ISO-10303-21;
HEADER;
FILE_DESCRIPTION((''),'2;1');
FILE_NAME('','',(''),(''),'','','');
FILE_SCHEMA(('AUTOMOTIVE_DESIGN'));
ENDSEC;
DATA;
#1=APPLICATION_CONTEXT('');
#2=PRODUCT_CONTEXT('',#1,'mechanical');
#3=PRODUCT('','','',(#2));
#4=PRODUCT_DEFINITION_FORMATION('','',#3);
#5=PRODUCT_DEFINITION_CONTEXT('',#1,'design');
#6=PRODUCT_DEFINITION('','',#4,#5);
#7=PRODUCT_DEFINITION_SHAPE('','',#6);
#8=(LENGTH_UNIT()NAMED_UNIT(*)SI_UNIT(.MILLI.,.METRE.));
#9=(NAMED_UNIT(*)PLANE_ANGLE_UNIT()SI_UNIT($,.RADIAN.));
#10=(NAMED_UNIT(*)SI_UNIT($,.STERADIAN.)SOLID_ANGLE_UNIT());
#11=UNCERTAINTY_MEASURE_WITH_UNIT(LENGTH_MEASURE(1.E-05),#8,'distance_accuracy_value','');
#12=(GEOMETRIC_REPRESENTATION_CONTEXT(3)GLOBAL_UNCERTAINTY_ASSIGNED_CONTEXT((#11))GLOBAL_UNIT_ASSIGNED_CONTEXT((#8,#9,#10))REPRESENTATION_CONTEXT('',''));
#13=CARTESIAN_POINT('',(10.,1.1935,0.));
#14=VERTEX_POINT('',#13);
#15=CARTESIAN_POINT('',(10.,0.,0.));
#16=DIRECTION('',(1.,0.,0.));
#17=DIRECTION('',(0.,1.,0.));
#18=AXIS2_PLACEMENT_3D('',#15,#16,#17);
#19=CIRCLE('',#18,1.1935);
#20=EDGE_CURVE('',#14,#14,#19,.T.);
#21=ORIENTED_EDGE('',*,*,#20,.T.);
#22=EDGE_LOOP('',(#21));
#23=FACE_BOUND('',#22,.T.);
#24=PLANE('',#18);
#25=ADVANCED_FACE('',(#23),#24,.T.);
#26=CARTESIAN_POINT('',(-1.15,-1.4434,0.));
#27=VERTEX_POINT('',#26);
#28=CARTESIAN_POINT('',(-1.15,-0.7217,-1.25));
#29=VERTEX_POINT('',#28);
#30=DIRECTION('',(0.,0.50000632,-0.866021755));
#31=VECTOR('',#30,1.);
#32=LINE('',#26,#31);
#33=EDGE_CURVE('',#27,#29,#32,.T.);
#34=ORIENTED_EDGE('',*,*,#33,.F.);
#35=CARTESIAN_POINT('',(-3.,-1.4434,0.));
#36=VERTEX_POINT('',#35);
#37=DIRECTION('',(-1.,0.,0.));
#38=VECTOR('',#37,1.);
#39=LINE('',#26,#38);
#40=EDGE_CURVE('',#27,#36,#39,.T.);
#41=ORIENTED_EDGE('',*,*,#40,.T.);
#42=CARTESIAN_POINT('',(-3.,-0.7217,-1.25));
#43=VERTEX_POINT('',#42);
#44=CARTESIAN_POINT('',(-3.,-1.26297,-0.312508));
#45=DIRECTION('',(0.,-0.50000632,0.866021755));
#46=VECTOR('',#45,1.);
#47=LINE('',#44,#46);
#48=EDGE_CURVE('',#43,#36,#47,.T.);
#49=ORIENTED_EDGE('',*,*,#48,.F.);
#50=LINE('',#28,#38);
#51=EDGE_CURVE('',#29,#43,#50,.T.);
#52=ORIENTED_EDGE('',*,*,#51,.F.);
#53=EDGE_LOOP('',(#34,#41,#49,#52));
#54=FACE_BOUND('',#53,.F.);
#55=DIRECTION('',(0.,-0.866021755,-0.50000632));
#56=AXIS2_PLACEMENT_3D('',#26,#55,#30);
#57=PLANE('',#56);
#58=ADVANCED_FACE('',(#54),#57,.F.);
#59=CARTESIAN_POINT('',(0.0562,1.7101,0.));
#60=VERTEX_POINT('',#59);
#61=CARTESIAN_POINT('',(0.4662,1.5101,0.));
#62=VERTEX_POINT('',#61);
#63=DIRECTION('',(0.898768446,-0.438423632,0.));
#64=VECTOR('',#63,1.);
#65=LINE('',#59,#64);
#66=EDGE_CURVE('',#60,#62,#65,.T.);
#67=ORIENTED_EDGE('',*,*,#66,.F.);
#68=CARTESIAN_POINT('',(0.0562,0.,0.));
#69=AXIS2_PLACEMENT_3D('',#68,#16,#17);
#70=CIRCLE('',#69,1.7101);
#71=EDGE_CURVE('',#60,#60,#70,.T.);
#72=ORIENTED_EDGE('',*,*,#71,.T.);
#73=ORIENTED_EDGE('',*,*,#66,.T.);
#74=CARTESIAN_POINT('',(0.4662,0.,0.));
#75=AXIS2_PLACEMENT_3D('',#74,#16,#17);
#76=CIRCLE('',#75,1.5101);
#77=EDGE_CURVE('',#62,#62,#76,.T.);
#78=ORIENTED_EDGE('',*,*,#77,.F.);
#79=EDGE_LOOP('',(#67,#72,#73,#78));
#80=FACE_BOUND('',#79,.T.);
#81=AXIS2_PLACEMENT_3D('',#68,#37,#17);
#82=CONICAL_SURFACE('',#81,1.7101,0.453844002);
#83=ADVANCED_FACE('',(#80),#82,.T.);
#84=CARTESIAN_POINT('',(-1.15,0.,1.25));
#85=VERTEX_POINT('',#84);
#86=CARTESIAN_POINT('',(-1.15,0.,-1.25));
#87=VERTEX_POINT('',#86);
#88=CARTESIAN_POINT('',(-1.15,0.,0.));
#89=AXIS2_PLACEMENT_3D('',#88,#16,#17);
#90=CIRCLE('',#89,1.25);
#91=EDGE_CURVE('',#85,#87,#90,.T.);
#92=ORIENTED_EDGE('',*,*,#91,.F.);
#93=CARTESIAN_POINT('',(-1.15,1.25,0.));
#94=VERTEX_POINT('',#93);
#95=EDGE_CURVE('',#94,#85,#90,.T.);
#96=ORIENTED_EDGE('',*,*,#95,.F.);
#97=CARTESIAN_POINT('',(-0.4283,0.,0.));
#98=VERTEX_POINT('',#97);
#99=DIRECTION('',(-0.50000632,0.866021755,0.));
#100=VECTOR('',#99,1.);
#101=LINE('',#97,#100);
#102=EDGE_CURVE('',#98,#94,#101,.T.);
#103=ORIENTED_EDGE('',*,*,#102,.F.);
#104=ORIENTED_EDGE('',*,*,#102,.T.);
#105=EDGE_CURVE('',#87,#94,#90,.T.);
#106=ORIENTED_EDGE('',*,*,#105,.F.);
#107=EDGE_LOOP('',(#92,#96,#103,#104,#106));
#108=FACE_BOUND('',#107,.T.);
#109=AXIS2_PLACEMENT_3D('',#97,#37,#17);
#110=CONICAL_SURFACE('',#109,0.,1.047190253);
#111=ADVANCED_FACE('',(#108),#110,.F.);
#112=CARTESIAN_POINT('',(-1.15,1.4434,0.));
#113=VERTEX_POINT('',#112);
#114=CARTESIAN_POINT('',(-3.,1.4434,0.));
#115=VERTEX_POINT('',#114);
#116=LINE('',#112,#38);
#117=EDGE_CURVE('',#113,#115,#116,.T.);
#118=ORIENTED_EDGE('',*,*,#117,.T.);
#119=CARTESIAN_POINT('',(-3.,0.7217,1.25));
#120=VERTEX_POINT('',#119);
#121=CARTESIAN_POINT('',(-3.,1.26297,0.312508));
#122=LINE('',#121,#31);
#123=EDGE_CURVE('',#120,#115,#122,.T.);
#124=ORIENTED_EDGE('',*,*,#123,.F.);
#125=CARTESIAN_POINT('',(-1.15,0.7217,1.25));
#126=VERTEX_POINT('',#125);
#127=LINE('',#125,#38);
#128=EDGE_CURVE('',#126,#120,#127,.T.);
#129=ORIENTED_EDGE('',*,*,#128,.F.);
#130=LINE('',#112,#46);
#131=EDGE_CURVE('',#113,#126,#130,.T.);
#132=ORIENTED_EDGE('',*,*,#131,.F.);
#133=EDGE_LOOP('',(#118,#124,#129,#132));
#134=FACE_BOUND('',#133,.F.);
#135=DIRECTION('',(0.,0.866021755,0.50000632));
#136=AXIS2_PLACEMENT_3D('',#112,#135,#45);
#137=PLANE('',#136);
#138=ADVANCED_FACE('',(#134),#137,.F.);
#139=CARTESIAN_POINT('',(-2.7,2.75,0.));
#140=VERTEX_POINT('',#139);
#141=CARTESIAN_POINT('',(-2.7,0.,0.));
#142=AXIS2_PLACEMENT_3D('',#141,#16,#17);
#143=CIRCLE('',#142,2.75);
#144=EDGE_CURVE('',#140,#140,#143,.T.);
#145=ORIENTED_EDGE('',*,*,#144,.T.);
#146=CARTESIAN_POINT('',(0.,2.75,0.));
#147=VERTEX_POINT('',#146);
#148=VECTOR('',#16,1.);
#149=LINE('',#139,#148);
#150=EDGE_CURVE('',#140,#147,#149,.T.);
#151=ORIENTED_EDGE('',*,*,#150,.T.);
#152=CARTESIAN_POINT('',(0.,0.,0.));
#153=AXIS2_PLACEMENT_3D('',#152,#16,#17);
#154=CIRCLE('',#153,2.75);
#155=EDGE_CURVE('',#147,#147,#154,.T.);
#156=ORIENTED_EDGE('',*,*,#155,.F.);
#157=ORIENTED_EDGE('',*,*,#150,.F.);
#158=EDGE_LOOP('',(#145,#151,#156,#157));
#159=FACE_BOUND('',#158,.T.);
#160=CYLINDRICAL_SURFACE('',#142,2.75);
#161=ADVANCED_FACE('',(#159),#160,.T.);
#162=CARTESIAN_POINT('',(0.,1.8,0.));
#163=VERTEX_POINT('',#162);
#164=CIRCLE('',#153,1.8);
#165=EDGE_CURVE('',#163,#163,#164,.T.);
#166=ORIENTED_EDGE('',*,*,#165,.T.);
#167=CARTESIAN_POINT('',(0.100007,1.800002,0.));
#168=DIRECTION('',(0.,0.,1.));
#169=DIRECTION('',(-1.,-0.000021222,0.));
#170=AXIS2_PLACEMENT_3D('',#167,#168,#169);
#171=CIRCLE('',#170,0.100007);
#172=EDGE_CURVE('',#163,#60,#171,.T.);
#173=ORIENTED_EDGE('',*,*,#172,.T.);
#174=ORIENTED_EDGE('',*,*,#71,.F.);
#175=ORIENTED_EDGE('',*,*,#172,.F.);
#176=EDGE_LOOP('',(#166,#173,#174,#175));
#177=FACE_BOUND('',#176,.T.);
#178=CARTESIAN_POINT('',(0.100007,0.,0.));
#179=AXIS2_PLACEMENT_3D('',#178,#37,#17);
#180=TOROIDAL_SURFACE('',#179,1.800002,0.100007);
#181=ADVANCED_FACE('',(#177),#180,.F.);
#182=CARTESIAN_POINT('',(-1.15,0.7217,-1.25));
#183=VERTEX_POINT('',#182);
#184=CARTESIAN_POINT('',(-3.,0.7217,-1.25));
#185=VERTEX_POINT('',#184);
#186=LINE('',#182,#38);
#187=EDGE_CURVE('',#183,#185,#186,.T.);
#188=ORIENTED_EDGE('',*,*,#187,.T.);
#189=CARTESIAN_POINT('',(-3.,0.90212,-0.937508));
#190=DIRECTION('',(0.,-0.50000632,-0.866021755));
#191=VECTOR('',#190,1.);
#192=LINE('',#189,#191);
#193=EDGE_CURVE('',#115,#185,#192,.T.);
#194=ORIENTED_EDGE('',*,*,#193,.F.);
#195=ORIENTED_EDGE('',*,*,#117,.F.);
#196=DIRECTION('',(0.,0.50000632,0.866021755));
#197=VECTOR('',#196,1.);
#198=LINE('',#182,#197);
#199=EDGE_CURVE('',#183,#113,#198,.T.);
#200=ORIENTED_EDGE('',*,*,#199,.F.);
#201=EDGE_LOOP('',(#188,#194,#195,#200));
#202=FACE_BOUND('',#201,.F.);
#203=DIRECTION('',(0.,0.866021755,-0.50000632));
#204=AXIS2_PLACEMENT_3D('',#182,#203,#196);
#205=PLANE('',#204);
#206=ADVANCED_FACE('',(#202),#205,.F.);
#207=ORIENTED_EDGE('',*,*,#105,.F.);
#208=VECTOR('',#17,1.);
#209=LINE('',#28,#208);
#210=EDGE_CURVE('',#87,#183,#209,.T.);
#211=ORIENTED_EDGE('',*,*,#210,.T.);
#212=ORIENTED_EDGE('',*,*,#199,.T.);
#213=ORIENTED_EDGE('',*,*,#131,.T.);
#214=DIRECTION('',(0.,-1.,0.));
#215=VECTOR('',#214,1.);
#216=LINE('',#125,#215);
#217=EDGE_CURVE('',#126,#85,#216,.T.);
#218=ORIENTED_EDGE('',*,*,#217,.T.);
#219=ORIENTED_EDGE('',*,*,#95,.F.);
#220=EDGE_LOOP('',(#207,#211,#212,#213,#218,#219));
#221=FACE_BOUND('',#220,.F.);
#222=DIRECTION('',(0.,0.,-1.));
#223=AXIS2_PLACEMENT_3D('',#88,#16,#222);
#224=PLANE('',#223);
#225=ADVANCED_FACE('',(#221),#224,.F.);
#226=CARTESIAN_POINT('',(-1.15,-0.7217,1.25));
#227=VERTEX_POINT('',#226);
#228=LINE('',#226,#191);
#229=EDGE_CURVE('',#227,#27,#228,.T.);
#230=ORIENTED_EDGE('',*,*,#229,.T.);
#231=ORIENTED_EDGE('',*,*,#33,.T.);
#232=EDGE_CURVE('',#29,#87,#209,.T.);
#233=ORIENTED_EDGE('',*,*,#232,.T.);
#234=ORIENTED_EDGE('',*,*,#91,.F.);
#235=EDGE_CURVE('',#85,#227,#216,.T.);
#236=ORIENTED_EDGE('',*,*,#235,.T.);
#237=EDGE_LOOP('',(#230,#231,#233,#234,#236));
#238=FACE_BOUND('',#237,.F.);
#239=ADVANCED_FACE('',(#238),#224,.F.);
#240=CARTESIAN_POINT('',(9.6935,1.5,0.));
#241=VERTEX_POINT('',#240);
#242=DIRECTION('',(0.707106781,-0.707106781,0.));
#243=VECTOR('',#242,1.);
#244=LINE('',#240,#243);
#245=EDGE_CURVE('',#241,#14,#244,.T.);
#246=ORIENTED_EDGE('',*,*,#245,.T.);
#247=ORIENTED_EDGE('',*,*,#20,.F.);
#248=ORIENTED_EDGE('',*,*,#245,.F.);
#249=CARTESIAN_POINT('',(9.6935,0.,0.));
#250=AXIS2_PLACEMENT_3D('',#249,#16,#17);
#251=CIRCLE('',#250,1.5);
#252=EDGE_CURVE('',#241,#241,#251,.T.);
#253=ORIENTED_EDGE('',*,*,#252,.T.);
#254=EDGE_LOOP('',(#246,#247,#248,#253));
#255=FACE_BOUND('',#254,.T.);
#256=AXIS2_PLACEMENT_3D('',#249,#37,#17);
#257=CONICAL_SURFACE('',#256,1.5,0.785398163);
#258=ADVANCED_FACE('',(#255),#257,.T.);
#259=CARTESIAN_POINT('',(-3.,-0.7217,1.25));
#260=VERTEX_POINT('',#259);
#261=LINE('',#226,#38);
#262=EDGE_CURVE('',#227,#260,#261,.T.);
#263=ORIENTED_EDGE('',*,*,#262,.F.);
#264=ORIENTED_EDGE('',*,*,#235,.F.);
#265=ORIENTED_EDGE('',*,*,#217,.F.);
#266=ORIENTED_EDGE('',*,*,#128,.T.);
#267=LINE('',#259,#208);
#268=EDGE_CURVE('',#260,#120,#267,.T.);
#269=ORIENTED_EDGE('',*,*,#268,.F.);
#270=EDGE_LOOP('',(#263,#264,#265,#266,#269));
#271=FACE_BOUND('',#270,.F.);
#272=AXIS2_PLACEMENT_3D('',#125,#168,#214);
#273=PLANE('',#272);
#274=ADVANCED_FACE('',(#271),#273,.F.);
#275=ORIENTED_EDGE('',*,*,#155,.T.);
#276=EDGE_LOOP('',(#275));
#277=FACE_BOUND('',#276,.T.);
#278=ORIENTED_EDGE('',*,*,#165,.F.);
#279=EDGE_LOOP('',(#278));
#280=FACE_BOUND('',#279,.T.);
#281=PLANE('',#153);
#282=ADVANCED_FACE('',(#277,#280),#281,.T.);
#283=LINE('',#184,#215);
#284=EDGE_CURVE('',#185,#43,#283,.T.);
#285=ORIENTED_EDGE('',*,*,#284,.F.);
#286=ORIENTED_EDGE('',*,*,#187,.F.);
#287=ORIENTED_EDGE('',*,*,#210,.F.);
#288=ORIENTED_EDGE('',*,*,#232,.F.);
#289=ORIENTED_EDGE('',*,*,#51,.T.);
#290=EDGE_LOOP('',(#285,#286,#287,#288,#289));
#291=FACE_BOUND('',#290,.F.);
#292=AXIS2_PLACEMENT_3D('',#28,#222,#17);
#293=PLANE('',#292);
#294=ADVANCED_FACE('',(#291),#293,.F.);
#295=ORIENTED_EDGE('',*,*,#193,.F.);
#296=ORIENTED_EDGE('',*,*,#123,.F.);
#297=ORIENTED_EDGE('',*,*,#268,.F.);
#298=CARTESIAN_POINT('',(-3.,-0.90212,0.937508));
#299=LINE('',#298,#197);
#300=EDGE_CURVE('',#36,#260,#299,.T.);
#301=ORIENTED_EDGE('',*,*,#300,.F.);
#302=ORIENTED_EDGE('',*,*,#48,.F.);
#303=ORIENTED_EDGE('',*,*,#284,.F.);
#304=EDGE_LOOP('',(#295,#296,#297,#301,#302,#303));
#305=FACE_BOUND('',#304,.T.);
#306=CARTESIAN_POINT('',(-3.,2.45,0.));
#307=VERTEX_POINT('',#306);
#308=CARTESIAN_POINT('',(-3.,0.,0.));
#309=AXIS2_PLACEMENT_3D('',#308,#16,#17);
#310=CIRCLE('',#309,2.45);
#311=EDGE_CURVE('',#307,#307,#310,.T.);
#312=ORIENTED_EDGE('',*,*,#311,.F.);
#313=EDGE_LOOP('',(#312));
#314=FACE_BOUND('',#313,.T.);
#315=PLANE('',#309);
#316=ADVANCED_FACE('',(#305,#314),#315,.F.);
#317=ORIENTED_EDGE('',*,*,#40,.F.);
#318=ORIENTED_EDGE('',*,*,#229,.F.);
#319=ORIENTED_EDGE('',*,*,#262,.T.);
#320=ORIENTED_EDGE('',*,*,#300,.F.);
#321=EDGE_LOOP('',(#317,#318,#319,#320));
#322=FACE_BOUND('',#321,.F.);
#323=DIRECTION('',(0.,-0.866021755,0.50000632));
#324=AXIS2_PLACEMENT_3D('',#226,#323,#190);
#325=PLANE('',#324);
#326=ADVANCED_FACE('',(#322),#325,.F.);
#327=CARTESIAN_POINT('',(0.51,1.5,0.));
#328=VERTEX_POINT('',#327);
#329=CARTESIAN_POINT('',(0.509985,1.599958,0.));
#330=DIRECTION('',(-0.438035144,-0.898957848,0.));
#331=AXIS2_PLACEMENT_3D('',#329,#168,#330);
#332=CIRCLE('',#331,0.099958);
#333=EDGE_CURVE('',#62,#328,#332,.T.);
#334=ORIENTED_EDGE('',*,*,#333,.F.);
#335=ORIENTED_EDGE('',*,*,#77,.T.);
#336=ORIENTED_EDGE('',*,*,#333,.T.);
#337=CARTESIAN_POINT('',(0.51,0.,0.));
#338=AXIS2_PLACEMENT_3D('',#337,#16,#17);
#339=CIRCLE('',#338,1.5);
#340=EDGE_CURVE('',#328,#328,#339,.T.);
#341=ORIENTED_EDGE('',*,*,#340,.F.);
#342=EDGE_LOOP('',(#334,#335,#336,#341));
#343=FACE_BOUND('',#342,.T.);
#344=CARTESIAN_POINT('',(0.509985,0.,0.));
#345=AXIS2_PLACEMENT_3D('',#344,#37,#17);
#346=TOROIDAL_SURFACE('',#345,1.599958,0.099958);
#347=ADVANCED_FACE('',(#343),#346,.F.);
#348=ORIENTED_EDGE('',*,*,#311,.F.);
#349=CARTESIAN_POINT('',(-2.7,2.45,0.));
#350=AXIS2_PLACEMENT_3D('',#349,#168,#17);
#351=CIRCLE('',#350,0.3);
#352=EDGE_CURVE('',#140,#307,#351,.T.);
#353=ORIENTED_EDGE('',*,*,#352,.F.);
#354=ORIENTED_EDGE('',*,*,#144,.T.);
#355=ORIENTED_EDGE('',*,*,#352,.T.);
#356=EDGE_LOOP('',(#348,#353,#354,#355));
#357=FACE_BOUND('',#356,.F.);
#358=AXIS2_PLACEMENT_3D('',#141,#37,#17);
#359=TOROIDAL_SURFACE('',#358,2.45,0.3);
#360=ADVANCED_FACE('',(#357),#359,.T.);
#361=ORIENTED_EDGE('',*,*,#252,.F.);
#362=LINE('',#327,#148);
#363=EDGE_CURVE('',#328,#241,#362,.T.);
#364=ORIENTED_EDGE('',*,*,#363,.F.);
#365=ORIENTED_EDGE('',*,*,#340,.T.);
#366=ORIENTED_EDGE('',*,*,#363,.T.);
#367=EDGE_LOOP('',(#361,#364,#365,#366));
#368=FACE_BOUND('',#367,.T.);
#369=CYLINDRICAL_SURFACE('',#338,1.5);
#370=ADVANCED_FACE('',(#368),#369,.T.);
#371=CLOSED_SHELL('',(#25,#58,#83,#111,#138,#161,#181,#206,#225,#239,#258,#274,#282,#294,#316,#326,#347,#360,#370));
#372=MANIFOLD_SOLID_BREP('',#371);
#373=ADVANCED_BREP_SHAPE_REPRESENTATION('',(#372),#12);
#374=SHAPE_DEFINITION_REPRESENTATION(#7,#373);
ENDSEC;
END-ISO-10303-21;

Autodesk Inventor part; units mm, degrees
sketch "Skizze_2" plane through (0, 0, 0) normal (0, 0, 1) x (1, 0, 0)
  line L0 (10, 0) -> (-0.4283, 0)
  line L1 (-0.4283, 0) -> (-1.15, 1.25)
  line L2 (-1.15, 1.25) -> (-3, 1.25)
  line L3 (-3, 1.25) -> (-3, 2.45)
  arc A0 (-2.7, 2.75) -> (-3, 2.45) centre (-2.7, 2.45) ccw
  line L4 (-2.7, 2.75) -> (0, 2.75)
  line L5 (0, 2.75) -> (0, 1.8)
  arc A1 (0, 1.8) -> (0.0562, 1.7101) centre (0.1, 1.8) ccw
  line L6 (0.0562, 1.7101) -> (0.4662, 1.5101)
  arc A2 (0.4662, 1.5101) -> (0.51, 1.5) centre (0.51, 1.6) ccw
  line L7 (0.51, 1.5) -> (9.6935, 1.5)
  line L8 (9.6935, 1.5) -> (10, 1.1935)
  line L9 (10, 1.1935) -> (10, 0)
  line L10 (10, 0) -> (-0.4283, 0)
revolve "Revolution1" add sketch "Skizze_2" angle 360 about axis through (10, 0, 0) along (1, 0, 0)
thread "Thread1" size "M3x0.5" class "6g" standard "ISO Metric profile" length 1.1935
sketch "Skizze_1" plane through (-1.15, 0, 0) normal (1, 0, 0) x (0, 0, -1)
  line L0 (-1.25, -0.7217) -> (0, -1.4434)
  line L1 (0, -1.4434) -> (1.25, -0.7217)
  line L2 (1.25, -0.7217) -> (1.25, 0.7217)
  line L3 (1.25, 0.7217) -> (0, 1.4434)
  line L4 (0, 1.4434) -> (-1.25, 0.7217)
  line L5 (-1.25, 0.7217) -> (-1.25, -0.7217)
extrude "Extrusion1" cut sketch "Skizze_1" against normal blind 2.6
ref_plane "IP1_XY" through (0, 0, 0) normal (1, 0, 0) x (0, 0, -1)
ref_plane "IP1_YZ" through (0, 0, 0) normal (0, 0, -1) x (0, 1, 0)
ref_plane "IP1_ZX" through (0, 0, 0) normal (0, 1, 0) x (1, 0, 0)
ref_plane "IP2_XY" through (-3, 0, 0) normal (1, 0, 0) x (0, 0, -1)
ref_plane "IP2_YZ" through (-3, 0, 0) normal (0, 0, -1) x (0, 1, 0)
ref_plane "IP2_ZX" through (-3, 0, 0) normal (0, 1, 0) x (1, 0, 0)
ref_plane "IP3_XY" through (10, 0, 0) normal (1, 0, 0) x (0, 0, -1)
ref_plane "IP3_YZ" through (10, 0, 0) normal (0, 0, -1) x (0, 1, 0)
ref_plane "IP3_ZX" through (10, 0, 0) normal (0, 1, 0) x (1, 0, 0)
ref_plane "IP4_XY" through (0, 0, 0) normal (1, 0, 0) x (0, 0, -1)
ref_plane "IP4_YZ" through (0, 0, 0) normal (0, 0, -1) x (0, 1, 0)
ref_plane "IP4_ZX" through (0, 0, 0) normal (0, 1, 0) x (1, 0, 0)
properties part number "Slotted head cap screw ISO 4762 - M3x10"
